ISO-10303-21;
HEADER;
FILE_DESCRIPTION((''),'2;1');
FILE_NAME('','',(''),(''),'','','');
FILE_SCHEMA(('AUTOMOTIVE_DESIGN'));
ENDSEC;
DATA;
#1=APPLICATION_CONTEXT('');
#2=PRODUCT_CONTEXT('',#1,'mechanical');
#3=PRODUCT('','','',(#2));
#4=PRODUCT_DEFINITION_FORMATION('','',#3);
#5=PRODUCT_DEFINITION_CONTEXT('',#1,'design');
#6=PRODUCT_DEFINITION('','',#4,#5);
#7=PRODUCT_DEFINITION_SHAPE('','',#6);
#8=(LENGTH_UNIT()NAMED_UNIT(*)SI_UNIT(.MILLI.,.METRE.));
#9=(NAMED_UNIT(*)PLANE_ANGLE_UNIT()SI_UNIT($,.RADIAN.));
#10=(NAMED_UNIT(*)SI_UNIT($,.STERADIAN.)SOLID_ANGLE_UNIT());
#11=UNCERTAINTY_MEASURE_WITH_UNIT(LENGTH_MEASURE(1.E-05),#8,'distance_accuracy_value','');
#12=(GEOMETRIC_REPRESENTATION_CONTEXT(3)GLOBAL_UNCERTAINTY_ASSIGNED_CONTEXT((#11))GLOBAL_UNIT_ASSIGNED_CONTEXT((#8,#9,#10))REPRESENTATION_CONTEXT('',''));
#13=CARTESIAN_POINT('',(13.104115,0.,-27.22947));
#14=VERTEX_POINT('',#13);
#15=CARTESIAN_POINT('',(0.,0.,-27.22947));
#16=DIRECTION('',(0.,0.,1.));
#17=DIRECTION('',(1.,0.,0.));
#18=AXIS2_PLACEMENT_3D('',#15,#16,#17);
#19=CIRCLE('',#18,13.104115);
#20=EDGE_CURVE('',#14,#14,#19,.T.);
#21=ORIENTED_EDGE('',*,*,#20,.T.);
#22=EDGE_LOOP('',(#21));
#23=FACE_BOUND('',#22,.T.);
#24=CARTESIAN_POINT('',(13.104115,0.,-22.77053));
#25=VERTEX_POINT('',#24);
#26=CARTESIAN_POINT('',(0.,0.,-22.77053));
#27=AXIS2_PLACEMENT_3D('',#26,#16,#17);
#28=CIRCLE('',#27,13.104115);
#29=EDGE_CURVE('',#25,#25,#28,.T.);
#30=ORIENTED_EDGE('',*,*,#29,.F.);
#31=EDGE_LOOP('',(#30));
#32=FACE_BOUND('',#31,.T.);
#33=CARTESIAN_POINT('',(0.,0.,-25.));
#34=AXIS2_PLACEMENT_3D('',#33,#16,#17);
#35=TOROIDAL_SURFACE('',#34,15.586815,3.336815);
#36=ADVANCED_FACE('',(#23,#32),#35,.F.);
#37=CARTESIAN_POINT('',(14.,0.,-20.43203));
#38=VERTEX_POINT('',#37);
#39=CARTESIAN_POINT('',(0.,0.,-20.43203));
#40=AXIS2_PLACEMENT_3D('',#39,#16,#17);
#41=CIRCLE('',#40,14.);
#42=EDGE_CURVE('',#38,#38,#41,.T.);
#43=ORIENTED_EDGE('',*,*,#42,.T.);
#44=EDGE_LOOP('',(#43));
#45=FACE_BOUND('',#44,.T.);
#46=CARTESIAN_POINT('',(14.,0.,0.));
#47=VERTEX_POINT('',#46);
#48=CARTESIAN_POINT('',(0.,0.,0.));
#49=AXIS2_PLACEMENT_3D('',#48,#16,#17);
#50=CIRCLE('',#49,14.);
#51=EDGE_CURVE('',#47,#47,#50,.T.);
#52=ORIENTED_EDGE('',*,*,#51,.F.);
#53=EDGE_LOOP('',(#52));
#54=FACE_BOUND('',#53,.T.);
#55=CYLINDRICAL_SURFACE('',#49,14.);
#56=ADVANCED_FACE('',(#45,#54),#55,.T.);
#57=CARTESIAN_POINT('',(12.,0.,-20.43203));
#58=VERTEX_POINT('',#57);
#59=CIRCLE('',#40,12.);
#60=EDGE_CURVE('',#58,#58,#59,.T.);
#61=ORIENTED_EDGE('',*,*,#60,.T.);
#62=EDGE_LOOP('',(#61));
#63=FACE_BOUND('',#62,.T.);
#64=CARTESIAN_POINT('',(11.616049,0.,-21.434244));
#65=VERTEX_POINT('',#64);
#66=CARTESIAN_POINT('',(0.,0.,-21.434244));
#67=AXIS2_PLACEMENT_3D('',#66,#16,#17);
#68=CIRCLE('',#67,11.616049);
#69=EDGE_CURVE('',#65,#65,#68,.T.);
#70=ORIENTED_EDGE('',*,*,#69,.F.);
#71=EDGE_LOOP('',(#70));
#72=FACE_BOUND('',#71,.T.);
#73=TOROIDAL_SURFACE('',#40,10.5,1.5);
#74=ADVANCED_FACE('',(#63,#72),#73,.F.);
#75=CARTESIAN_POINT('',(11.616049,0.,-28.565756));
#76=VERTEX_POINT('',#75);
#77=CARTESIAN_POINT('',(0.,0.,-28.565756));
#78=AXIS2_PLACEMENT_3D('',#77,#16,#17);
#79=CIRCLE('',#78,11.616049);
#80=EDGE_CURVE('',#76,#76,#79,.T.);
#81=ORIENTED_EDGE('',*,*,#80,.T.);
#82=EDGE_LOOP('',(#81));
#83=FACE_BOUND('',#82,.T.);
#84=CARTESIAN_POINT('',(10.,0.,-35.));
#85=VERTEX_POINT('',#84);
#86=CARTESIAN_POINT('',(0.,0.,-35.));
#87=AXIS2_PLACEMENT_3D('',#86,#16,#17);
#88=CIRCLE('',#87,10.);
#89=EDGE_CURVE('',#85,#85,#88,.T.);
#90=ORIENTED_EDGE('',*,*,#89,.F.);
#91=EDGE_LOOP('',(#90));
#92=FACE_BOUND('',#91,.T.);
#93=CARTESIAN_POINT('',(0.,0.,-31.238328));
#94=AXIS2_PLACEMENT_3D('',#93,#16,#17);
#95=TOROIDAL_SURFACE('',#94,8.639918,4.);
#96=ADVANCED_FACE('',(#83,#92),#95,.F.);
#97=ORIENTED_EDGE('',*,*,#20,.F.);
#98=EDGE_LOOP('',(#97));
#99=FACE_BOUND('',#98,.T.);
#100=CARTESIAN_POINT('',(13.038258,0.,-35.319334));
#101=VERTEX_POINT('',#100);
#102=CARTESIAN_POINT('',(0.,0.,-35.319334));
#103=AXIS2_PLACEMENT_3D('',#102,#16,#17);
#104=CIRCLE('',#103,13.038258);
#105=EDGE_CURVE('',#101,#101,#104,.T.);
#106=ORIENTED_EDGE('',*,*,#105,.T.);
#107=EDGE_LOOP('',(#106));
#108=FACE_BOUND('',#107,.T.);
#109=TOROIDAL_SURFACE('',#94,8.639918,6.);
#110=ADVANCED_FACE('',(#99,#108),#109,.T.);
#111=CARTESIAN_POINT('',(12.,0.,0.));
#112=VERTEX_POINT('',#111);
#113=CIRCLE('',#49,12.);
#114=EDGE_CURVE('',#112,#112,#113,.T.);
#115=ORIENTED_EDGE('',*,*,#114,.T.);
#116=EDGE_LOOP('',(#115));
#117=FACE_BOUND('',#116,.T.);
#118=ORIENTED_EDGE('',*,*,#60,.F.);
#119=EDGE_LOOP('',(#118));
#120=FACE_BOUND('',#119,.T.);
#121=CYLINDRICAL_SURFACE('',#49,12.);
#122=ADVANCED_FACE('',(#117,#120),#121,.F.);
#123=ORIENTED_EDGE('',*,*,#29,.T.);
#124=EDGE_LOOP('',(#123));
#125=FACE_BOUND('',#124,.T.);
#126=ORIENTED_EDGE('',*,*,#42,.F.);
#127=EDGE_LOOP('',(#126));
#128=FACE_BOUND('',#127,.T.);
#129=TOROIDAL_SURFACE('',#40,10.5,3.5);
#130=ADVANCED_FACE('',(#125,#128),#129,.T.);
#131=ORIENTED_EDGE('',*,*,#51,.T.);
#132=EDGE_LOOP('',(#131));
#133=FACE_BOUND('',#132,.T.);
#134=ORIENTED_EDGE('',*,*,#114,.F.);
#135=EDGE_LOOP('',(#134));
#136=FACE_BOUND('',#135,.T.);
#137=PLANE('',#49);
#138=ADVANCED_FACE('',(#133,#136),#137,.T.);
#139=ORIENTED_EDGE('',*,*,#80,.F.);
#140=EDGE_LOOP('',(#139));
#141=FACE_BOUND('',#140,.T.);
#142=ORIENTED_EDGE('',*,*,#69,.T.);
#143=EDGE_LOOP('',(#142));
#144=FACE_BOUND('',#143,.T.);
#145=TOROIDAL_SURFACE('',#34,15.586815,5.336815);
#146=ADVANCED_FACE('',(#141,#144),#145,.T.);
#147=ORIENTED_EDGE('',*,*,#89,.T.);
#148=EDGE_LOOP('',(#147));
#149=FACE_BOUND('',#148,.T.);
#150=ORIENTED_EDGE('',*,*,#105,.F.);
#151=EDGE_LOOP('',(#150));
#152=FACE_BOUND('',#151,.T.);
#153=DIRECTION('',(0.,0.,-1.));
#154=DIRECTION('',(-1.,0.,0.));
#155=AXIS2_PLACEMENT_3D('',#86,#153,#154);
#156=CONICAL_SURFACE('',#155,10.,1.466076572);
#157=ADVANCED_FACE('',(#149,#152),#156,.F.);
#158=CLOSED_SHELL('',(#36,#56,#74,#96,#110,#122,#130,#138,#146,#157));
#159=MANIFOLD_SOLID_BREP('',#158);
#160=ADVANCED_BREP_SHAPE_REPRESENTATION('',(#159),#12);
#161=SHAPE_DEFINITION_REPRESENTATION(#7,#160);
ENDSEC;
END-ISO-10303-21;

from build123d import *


with BuildPart() as part:
    # 草图2 → 旋转1 (revolve)
    with BuildSketch(Plane(origin=(0, 0, 0), x_dir=(1, 0, 0), z_dir=(0, 1, 0))):
        with BuildLine():
            ThreePointArc((13.104115055, 22.770530099), (12.25, 25), (13.104115055, 27.229469901))
            ThreePointArc((13.104115055, 27.229469901), (14.639719012, 31.287170848), (13.038257502, 35.319333731))
            Line((13.038257502, 35.319333731), (10, 35))
            ThreePointArc((10, 35), (12.519423129, 32.212719337), (11.616049309, 28.565755924))
            ThreePointArc((11.616049309, 28.565755924), (10.25, 25), (11.616049309, 21.434244076))
            ThreePointArc((11.616049309, 21.434244076), (11.900727305, 20.968651416), (12, 20.432029558))
            Line((12, 20.432029558), (12, 0))
            Line((12, 0), (14, 0))
            Line((14, 0), (14, 20.432029558))
            ThreePointArc((14, 20.432029558), (13.768363711, 21.684147226), (13.104115055, 22.770530099))
        make_face()
    revolve(axis=Axis((0, 0, 0), (0, 0, -1)))


solid = part.part
